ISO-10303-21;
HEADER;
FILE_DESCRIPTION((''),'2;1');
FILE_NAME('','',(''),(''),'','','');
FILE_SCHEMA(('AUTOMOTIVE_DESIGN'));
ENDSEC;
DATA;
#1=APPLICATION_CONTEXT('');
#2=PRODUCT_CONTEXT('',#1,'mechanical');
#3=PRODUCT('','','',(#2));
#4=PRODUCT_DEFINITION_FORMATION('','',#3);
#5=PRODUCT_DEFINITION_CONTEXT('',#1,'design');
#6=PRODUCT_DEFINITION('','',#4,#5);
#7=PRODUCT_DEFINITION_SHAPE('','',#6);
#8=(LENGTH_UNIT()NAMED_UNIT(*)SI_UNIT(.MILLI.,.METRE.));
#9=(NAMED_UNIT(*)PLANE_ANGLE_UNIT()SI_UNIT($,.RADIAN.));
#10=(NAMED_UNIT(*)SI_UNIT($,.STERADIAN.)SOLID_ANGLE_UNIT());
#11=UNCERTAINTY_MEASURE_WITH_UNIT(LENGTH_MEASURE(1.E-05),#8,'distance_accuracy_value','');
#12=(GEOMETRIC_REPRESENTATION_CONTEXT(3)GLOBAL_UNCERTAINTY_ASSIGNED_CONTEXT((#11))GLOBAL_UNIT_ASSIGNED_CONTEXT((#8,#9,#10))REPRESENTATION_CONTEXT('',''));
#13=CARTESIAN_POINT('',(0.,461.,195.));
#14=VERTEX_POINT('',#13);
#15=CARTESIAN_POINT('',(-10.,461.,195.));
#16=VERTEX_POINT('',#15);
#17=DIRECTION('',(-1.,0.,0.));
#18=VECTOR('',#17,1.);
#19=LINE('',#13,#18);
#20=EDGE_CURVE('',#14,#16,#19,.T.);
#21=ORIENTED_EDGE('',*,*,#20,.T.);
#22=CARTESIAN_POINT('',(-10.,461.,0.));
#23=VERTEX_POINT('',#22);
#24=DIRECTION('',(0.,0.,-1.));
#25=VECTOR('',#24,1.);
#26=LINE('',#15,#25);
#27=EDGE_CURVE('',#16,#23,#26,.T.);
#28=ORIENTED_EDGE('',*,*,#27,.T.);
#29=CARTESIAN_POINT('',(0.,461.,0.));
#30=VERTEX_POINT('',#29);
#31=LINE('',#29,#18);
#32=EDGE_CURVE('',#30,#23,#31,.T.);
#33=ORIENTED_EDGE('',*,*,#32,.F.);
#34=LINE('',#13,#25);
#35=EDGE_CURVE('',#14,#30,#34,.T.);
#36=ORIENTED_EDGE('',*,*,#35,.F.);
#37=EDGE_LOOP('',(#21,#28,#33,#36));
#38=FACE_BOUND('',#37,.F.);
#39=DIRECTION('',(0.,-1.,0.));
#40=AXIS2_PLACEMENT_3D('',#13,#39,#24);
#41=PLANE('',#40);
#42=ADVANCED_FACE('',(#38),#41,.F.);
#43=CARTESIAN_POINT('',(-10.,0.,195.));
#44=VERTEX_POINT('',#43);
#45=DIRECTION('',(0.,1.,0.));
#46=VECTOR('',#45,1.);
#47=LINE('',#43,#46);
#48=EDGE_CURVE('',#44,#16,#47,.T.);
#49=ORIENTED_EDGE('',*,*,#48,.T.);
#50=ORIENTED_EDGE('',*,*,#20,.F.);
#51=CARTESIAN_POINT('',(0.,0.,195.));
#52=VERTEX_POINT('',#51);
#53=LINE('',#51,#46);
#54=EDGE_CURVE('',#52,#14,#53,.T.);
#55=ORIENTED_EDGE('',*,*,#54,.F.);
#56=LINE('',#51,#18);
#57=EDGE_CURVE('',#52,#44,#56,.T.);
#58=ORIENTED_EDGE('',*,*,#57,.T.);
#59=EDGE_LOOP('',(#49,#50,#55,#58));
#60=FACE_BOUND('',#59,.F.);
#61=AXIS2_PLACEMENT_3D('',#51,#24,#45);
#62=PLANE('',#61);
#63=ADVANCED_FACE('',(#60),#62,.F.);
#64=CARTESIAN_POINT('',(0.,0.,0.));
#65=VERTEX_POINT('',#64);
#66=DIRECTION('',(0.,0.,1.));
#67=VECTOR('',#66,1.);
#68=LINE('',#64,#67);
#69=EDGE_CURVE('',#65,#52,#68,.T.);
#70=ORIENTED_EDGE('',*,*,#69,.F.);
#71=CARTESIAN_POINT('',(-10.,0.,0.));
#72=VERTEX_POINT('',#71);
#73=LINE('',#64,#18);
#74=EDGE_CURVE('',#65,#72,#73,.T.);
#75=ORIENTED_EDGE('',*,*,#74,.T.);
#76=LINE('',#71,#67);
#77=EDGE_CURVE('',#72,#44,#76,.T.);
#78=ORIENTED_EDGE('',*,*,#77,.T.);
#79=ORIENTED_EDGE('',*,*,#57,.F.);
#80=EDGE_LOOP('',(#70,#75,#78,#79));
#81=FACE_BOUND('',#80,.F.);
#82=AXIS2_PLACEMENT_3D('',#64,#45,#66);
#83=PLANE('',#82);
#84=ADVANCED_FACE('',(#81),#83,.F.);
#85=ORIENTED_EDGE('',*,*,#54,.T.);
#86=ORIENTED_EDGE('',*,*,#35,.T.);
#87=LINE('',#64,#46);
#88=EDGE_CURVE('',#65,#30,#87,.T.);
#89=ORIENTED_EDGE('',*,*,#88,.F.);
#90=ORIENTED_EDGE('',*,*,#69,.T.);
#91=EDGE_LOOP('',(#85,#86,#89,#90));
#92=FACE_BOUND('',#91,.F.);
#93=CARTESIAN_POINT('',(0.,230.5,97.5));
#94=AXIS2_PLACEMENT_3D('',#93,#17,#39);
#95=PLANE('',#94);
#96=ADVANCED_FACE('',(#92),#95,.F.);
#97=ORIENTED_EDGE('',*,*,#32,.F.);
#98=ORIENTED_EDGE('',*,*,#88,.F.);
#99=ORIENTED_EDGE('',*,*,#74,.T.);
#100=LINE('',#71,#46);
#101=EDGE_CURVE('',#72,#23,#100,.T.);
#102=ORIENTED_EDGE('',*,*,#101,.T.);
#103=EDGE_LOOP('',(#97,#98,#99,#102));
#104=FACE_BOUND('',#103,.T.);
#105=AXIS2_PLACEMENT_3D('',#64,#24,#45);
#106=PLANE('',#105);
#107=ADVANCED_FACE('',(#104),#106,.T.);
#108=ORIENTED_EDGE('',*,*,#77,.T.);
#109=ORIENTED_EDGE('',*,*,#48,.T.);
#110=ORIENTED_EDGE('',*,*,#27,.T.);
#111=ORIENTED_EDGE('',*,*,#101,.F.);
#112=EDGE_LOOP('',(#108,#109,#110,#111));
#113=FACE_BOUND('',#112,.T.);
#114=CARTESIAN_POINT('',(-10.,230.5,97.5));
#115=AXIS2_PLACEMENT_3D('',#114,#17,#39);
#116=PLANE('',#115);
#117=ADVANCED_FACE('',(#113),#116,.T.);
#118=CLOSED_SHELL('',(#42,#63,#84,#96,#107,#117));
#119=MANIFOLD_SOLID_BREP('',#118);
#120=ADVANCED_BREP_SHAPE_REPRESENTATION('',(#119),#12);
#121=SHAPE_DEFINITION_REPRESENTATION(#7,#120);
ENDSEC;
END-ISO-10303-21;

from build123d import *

# Parameters (mm, degrees)
PAD_DEPTH = 10


with BuildPart() as part:
    # Sketch → Pad (new body)
    with BuildSketch(Plane.YZ):
        Polygon((0, 0), (0, 195), (461, 195), (461, 0), (230.5, 0), align=None)
    extrude(amount=-PAD_DEPTH)


solid = part.part
